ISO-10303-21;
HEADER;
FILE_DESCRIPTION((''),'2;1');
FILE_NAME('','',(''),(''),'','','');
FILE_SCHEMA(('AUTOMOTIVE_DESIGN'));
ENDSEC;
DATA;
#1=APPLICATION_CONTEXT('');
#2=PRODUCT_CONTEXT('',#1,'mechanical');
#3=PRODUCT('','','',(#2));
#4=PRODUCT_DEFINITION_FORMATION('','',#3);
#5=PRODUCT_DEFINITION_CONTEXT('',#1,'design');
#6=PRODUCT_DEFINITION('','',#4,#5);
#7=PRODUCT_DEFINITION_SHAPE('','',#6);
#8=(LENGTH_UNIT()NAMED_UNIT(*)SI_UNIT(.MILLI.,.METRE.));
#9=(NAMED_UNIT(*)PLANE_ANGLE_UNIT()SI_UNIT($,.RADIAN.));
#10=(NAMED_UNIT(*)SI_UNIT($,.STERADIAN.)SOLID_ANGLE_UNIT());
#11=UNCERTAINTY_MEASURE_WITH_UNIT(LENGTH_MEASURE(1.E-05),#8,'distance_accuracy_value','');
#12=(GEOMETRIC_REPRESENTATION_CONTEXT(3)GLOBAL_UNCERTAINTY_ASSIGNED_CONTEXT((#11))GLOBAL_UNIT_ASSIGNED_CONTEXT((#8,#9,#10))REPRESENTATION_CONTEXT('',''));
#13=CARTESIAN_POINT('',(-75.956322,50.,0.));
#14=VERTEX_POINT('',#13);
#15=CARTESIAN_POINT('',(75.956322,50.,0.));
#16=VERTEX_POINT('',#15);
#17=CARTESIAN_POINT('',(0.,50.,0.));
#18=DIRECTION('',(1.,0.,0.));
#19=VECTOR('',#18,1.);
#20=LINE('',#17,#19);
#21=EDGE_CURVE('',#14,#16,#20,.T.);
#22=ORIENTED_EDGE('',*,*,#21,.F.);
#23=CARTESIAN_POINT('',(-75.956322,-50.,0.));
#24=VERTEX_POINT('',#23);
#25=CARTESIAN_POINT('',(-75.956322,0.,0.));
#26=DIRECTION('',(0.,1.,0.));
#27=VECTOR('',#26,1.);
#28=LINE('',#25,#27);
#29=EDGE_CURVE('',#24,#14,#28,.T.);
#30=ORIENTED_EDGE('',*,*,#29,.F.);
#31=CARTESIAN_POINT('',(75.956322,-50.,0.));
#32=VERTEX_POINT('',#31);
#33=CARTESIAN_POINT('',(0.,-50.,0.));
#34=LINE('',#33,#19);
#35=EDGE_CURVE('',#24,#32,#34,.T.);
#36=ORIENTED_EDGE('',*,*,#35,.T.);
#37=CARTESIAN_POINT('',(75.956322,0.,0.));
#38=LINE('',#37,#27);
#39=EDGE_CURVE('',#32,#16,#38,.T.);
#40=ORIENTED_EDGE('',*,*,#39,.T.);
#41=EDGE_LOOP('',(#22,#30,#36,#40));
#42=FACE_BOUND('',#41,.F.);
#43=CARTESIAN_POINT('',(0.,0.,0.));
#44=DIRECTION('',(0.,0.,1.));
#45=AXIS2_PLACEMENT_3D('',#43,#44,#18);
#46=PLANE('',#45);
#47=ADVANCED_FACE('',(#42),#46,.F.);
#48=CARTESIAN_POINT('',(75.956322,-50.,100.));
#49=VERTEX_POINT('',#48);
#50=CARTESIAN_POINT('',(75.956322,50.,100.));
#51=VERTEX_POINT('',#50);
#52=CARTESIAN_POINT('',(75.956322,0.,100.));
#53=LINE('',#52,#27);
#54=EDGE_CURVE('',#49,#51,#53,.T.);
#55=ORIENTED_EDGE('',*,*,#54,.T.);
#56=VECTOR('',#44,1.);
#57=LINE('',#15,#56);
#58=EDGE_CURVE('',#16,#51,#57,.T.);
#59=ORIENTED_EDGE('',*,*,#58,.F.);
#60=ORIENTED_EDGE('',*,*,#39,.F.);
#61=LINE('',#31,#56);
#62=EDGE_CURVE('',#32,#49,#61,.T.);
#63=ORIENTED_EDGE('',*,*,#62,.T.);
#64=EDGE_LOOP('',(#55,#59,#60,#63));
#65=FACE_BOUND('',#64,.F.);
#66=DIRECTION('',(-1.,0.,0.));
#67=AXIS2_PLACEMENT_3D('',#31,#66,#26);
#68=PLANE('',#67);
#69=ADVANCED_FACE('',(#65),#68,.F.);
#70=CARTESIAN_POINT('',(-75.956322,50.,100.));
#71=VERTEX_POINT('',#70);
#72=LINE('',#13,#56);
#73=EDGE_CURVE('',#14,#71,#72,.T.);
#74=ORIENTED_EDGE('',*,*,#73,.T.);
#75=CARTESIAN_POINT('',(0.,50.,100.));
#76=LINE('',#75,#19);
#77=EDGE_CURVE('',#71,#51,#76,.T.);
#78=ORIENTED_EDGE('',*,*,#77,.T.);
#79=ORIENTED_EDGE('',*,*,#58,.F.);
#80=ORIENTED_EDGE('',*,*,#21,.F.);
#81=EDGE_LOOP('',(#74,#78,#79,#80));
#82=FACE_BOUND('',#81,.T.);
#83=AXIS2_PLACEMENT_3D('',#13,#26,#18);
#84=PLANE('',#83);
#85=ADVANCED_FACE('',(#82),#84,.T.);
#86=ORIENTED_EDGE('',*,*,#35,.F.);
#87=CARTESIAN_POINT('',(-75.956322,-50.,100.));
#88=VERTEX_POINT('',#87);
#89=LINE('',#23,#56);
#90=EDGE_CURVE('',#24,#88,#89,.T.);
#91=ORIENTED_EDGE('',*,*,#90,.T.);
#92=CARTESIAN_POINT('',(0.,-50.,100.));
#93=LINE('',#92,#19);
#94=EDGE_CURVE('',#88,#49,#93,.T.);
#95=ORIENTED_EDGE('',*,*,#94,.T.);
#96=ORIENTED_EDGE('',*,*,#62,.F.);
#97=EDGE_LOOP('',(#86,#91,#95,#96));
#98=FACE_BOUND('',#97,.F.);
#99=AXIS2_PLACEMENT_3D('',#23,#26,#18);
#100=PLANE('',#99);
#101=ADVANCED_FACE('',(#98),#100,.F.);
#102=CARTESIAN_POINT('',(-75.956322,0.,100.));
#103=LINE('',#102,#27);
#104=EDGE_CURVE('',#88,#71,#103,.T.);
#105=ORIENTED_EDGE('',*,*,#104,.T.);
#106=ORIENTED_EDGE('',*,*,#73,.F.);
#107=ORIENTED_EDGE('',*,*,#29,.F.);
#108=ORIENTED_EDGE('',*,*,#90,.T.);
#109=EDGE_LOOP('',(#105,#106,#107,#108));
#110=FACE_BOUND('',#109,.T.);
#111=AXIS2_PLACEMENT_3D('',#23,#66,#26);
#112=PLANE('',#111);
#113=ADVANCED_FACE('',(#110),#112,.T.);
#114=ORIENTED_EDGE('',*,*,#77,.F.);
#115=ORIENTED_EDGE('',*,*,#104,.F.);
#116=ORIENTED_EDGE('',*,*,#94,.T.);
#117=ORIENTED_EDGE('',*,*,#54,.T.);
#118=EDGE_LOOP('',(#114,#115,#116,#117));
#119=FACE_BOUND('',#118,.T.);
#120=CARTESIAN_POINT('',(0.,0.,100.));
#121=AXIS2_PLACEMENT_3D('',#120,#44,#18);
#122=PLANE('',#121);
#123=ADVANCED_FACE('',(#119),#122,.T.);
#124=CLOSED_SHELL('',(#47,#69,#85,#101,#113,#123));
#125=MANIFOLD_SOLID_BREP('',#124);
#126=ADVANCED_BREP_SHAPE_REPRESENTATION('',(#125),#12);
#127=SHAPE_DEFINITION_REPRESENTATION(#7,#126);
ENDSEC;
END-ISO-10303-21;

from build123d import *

# Parameters (mm, degrees)
F1_W     = 151.912644
F1_H     = 100
F2_DEPTH = 100


with BuildPart() as f2:
    # F1 (on face) → F2 (new body)
    with BuildSketch(Plane.XY):
        Rectangle(F1_W, F1_H)
    extrude(amount=F2_DEPTH)


solid = f2.part
